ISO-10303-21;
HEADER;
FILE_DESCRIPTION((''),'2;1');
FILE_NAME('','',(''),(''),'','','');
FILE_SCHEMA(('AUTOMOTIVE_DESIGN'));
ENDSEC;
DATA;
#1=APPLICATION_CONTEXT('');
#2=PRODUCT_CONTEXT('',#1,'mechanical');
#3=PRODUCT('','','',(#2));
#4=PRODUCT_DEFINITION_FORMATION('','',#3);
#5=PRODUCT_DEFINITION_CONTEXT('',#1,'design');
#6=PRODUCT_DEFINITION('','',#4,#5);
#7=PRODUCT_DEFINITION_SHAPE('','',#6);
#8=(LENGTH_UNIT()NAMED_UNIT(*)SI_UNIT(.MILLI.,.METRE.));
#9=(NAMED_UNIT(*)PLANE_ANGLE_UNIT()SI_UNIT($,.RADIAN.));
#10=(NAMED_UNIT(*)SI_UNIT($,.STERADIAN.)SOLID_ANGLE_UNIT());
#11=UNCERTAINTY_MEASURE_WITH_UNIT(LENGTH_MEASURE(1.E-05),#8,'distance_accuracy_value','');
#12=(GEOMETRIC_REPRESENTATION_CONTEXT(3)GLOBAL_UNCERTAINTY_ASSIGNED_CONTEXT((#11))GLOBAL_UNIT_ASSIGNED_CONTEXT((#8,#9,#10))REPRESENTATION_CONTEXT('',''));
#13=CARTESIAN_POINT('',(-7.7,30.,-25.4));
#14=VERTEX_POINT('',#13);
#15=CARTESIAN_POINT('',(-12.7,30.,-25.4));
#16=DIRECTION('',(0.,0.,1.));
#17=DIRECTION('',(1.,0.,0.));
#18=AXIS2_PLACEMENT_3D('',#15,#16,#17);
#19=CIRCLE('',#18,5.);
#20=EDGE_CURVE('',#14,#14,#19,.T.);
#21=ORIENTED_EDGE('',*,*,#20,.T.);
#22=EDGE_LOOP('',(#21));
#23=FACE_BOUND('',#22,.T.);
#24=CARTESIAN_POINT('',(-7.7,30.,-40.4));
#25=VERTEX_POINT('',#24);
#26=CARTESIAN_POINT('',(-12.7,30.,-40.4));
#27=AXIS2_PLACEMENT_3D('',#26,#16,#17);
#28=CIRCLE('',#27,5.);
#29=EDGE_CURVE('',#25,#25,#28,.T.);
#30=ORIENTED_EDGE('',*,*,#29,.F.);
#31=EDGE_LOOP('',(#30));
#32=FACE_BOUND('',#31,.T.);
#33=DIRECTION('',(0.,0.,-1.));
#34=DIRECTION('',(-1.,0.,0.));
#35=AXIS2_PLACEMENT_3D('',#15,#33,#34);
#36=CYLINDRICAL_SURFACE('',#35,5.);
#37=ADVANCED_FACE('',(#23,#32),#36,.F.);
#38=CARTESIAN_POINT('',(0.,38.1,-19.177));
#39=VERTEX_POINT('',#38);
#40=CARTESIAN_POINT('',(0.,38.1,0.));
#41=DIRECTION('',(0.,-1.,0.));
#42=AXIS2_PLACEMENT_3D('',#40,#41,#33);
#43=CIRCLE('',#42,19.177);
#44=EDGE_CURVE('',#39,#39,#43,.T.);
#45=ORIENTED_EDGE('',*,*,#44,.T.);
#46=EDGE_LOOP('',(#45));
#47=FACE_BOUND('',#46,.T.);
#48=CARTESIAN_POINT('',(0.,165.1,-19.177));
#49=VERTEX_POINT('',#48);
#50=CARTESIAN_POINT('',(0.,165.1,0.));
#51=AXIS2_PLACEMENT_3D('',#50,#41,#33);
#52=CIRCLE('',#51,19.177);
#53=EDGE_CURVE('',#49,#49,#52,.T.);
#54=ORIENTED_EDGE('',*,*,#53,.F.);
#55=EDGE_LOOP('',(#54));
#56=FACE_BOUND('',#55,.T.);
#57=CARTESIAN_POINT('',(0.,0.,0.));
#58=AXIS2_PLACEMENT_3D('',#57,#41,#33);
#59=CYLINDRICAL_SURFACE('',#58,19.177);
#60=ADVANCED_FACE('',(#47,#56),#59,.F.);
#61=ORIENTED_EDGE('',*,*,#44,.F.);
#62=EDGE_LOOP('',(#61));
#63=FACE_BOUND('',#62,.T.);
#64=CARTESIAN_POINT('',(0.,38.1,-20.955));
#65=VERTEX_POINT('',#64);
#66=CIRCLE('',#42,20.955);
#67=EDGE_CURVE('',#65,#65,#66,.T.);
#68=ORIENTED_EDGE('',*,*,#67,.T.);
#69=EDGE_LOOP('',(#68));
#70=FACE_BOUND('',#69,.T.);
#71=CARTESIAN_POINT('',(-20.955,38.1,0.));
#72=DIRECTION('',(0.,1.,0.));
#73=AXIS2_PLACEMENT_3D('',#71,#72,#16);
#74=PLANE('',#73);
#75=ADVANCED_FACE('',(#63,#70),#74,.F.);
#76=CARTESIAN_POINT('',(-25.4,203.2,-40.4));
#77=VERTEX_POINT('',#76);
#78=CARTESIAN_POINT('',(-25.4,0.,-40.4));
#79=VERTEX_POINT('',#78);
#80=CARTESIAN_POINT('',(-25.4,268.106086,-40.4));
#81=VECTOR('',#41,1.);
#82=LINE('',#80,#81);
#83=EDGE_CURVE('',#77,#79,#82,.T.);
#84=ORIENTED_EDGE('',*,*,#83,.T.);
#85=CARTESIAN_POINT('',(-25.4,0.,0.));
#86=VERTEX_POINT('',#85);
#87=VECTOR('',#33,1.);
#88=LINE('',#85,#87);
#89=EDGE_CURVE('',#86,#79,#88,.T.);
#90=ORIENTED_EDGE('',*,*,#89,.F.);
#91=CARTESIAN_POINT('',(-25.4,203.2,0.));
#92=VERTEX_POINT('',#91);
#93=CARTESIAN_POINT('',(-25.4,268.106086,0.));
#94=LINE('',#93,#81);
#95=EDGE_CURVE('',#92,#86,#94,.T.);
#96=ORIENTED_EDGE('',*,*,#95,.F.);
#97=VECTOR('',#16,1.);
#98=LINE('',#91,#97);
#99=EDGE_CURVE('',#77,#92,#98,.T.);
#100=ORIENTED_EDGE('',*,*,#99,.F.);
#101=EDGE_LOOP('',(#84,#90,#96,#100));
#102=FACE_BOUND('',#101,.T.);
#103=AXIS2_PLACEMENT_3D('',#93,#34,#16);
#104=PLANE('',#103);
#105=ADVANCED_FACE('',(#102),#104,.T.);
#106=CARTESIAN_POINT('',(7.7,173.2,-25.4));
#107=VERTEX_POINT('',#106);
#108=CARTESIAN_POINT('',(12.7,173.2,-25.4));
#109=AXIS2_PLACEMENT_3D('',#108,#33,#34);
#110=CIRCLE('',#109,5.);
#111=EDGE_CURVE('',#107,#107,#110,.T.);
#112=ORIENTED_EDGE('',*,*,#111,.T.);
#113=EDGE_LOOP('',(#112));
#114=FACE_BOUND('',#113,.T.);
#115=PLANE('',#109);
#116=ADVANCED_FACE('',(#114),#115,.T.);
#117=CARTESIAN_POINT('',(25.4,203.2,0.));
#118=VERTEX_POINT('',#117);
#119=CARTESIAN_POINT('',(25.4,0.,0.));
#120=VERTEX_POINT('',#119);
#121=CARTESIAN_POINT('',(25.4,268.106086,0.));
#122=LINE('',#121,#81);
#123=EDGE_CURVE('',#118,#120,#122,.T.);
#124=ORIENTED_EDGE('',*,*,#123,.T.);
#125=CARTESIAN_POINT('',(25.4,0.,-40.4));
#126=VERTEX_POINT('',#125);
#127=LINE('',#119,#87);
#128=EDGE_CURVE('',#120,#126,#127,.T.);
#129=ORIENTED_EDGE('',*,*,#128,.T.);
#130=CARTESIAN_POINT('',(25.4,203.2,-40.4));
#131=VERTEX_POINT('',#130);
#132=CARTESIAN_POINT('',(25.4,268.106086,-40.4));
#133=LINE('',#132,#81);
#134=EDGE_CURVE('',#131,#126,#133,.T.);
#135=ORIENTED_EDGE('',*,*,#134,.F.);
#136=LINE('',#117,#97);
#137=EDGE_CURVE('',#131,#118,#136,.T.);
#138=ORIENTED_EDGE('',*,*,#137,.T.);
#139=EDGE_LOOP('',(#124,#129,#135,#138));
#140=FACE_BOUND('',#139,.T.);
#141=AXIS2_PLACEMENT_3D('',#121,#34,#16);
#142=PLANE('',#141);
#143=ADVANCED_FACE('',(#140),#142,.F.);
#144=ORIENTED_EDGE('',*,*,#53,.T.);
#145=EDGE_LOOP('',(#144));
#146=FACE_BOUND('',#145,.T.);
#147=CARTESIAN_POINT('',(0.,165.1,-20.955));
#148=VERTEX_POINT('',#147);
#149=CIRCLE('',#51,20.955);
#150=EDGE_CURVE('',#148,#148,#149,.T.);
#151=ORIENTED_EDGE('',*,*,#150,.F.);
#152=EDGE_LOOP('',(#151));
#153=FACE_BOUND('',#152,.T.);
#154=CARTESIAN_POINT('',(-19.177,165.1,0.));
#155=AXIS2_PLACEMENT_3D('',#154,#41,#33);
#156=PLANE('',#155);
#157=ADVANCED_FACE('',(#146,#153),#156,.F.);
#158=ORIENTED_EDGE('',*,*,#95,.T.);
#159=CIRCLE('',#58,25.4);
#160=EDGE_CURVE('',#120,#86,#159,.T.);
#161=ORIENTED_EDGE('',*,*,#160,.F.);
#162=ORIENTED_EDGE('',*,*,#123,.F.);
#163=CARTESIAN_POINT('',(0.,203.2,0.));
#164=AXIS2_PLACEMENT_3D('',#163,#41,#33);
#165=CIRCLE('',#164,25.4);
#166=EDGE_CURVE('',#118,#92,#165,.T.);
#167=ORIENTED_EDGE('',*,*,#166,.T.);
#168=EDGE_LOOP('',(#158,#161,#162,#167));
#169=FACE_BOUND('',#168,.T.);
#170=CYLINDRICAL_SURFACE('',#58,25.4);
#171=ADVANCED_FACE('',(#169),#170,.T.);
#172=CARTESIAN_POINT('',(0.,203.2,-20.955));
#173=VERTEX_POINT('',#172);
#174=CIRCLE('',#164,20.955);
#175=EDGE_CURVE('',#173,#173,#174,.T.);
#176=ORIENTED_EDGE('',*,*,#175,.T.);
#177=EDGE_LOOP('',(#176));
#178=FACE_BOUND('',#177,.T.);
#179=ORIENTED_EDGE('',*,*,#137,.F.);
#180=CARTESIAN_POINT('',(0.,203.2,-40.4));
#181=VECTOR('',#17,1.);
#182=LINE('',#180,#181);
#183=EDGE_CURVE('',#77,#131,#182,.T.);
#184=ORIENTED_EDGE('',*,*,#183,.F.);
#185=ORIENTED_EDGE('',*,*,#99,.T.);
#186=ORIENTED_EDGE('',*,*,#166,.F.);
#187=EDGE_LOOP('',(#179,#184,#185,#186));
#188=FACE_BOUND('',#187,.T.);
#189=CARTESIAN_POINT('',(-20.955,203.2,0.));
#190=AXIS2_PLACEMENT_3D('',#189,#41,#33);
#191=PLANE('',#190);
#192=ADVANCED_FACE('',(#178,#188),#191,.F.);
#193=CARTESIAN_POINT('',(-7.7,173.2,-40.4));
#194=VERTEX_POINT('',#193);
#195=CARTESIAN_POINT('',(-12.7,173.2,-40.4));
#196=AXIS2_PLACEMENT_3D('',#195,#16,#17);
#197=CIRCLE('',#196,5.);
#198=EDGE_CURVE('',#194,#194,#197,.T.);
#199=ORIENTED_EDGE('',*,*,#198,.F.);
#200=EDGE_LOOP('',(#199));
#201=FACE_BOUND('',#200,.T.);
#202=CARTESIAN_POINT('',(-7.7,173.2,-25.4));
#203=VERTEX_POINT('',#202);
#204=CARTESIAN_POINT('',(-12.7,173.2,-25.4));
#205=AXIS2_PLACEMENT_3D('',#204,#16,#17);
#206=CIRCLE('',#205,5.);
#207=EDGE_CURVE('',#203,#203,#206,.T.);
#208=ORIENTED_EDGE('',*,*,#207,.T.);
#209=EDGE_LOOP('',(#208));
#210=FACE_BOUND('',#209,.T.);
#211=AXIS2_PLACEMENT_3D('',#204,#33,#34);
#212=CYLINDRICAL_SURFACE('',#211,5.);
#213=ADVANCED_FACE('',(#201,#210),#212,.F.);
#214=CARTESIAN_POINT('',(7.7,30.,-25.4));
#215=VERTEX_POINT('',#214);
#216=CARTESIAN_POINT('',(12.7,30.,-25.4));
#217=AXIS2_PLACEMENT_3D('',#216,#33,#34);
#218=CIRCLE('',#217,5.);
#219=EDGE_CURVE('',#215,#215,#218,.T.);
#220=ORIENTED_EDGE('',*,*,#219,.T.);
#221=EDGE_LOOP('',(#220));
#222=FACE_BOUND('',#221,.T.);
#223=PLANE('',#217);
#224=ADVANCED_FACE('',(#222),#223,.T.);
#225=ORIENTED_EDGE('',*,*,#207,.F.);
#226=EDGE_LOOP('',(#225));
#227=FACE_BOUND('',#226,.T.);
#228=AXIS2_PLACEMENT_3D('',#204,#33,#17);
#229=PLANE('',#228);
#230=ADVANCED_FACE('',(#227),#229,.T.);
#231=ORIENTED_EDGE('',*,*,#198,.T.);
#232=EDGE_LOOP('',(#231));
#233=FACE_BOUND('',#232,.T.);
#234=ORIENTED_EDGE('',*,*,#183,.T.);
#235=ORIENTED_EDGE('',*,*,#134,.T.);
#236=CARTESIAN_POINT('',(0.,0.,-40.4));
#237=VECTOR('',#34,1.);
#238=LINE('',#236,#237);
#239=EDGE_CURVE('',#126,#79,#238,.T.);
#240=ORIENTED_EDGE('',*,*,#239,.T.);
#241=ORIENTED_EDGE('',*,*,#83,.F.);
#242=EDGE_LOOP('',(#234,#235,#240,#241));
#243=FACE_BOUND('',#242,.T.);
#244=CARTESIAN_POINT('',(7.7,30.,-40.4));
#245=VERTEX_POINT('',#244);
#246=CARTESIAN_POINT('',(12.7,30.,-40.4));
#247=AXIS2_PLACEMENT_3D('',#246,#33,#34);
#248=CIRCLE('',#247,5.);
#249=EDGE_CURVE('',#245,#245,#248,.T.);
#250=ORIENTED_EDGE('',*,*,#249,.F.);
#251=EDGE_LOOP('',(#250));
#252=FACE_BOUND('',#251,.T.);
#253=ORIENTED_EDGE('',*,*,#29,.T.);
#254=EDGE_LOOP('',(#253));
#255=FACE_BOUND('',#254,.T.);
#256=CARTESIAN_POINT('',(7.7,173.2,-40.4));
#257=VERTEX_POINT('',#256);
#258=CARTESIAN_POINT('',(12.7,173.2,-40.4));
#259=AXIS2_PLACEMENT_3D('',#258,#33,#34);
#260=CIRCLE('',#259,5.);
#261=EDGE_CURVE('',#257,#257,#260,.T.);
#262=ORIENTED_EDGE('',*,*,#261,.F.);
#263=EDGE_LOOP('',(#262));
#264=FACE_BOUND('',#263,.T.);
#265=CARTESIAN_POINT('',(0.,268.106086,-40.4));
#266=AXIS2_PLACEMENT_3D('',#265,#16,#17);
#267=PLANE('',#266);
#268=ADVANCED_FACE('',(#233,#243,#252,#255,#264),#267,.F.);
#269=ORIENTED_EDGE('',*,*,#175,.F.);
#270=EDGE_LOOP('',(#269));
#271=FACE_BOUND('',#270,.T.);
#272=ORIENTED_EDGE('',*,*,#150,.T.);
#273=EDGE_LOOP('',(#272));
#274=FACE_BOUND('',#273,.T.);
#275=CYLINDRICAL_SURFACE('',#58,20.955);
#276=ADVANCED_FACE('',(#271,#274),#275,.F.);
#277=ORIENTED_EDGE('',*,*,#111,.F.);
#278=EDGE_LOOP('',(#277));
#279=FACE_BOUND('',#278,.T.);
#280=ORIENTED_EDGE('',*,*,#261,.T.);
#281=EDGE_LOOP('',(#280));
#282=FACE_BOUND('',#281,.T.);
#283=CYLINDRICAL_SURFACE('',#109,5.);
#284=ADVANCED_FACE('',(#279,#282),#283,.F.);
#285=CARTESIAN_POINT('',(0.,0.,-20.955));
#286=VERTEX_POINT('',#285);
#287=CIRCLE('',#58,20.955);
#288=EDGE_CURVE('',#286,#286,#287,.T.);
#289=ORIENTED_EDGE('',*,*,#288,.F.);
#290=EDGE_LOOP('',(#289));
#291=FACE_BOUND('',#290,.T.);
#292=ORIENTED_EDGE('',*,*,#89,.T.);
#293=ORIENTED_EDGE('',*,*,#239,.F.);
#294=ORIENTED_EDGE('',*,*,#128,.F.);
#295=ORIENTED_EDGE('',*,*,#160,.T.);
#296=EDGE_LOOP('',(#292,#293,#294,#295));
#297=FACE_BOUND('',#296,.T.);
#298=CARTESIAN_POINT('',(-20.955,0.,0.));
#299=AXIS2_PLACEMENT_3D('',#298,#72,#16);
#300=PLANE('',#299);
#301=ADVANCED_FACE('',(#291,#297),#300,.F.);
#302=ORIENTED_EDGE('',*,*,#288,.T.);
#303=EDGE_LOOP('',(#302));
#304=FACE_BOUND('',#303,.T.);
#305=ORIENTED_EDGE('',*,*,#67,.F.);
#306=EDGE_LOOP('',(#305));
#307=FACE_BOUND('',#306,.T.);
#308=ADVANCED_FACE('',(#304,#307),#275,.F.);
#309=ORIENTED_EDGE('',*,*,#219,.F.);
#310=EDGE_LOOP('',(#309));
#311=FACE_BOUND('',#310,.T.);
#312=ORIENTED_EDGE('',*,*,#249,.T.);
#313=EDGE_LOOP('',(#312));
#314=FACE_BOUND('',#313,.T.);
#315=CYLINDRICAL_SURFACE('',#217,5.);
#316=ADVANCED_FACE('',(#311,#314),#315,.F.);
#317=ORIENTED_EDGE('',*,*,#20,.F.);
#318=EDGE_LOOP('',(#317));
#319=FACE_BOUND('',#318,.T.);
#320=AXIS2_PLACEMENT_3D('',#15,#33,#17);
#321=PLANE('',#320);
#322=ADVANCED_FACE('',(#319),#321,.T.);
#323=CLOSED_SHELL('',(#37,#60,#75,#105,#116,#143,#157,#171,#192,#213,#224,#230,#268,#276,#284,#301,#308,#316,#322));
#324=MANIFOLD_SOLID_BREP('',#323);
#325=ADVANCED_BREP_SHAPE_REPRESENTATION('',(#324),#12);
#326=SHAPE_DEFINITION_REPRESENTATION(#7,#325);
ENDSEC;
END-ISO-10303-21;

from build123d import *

# Parameters (mm, degrees)
BOSS_EXTRUDE1_START = -203.2
BOSS_EXTRUDE1_DEPTH = 203.2
SKETCH15_R          = 5
CUT_EXTRUDE1_DEPTH  = 15


with BuildPart() as part:
    # Sketch12 → Revolve1 (revolve)
    with BuildSketch(Plane.XY, mode=Mode.PRIVATE) as revolve1_sk:
        Polygon((-25.399999994, 0), (-25.399999994, 203.2), (-20.955, 203.2), (-20.955, 165.1), (-19.177, 165.1), (-19.177, 38.1), (-20.955, 38.1), (-20.955, 0), align=None)
    revolve(revolve1_sk.sketch.rotate(Axis((0, 0, 0), (0, 1, 0)), 270), axis=Axis((0, 0, 0), (0, 1, 0)))

    # Sketch13 → Boss-Extrude1 (add)
    with BuildSketch(Plane(origin=(0, 0, 0), x_dir=(-1, 0, 0), z_dir=(0, -1, 0)).offset(BOSS_EXTRUDE1_START)):
        with BuildLine():
            Line((12.584838028, 40.399999994), (-25.399999994, 40.399999994))
            Line((-25.399999994, 40.399999994), (-25.399999994, 0))
            ThreePointArc((-25.399999994, 0), (0, 25.399999994), (25.399999994, 0))
            Line((25.399999994, 0), (25.399999994, 40.399999994))
            Line((25.399999994, 40.399999994), (22.584838028, 40.399999994))
            Line((22.584838028, 40.399999994), (12.584838028, 40.399999994))
        make_face()
    extrude(amount=BOSS_EXTRUDE1_DEPTH)

    # Sketch15 → Cut-Extrude1 (cut)
    with BuildSketch(Plane(origin=(0, 0, -40.399999994), x_dir=(-1, 0, 0), z_dir=(0, 0, -1))):
        with Locations((-12.699999997, 30)):
            Circle(SKETCH15_R)
        with Locations((-12.699999997, 173.2)):
            Circle(SKETCH15_R)
    cut_extrude1 = extrude(amount=-CUT_EXTRUDE1_DEPTH, mode=Mode.SUBTRACT)

    # Mirror1: Cut-Extrude1 across plane
    add(cut_extrude1.mirror(Plane(origin=(0, 0, 0), x_dir=(0, 0, 1), z_dir=(1, 0, 0))), mode=Mode.SUBTRACT)


solid = part.part
